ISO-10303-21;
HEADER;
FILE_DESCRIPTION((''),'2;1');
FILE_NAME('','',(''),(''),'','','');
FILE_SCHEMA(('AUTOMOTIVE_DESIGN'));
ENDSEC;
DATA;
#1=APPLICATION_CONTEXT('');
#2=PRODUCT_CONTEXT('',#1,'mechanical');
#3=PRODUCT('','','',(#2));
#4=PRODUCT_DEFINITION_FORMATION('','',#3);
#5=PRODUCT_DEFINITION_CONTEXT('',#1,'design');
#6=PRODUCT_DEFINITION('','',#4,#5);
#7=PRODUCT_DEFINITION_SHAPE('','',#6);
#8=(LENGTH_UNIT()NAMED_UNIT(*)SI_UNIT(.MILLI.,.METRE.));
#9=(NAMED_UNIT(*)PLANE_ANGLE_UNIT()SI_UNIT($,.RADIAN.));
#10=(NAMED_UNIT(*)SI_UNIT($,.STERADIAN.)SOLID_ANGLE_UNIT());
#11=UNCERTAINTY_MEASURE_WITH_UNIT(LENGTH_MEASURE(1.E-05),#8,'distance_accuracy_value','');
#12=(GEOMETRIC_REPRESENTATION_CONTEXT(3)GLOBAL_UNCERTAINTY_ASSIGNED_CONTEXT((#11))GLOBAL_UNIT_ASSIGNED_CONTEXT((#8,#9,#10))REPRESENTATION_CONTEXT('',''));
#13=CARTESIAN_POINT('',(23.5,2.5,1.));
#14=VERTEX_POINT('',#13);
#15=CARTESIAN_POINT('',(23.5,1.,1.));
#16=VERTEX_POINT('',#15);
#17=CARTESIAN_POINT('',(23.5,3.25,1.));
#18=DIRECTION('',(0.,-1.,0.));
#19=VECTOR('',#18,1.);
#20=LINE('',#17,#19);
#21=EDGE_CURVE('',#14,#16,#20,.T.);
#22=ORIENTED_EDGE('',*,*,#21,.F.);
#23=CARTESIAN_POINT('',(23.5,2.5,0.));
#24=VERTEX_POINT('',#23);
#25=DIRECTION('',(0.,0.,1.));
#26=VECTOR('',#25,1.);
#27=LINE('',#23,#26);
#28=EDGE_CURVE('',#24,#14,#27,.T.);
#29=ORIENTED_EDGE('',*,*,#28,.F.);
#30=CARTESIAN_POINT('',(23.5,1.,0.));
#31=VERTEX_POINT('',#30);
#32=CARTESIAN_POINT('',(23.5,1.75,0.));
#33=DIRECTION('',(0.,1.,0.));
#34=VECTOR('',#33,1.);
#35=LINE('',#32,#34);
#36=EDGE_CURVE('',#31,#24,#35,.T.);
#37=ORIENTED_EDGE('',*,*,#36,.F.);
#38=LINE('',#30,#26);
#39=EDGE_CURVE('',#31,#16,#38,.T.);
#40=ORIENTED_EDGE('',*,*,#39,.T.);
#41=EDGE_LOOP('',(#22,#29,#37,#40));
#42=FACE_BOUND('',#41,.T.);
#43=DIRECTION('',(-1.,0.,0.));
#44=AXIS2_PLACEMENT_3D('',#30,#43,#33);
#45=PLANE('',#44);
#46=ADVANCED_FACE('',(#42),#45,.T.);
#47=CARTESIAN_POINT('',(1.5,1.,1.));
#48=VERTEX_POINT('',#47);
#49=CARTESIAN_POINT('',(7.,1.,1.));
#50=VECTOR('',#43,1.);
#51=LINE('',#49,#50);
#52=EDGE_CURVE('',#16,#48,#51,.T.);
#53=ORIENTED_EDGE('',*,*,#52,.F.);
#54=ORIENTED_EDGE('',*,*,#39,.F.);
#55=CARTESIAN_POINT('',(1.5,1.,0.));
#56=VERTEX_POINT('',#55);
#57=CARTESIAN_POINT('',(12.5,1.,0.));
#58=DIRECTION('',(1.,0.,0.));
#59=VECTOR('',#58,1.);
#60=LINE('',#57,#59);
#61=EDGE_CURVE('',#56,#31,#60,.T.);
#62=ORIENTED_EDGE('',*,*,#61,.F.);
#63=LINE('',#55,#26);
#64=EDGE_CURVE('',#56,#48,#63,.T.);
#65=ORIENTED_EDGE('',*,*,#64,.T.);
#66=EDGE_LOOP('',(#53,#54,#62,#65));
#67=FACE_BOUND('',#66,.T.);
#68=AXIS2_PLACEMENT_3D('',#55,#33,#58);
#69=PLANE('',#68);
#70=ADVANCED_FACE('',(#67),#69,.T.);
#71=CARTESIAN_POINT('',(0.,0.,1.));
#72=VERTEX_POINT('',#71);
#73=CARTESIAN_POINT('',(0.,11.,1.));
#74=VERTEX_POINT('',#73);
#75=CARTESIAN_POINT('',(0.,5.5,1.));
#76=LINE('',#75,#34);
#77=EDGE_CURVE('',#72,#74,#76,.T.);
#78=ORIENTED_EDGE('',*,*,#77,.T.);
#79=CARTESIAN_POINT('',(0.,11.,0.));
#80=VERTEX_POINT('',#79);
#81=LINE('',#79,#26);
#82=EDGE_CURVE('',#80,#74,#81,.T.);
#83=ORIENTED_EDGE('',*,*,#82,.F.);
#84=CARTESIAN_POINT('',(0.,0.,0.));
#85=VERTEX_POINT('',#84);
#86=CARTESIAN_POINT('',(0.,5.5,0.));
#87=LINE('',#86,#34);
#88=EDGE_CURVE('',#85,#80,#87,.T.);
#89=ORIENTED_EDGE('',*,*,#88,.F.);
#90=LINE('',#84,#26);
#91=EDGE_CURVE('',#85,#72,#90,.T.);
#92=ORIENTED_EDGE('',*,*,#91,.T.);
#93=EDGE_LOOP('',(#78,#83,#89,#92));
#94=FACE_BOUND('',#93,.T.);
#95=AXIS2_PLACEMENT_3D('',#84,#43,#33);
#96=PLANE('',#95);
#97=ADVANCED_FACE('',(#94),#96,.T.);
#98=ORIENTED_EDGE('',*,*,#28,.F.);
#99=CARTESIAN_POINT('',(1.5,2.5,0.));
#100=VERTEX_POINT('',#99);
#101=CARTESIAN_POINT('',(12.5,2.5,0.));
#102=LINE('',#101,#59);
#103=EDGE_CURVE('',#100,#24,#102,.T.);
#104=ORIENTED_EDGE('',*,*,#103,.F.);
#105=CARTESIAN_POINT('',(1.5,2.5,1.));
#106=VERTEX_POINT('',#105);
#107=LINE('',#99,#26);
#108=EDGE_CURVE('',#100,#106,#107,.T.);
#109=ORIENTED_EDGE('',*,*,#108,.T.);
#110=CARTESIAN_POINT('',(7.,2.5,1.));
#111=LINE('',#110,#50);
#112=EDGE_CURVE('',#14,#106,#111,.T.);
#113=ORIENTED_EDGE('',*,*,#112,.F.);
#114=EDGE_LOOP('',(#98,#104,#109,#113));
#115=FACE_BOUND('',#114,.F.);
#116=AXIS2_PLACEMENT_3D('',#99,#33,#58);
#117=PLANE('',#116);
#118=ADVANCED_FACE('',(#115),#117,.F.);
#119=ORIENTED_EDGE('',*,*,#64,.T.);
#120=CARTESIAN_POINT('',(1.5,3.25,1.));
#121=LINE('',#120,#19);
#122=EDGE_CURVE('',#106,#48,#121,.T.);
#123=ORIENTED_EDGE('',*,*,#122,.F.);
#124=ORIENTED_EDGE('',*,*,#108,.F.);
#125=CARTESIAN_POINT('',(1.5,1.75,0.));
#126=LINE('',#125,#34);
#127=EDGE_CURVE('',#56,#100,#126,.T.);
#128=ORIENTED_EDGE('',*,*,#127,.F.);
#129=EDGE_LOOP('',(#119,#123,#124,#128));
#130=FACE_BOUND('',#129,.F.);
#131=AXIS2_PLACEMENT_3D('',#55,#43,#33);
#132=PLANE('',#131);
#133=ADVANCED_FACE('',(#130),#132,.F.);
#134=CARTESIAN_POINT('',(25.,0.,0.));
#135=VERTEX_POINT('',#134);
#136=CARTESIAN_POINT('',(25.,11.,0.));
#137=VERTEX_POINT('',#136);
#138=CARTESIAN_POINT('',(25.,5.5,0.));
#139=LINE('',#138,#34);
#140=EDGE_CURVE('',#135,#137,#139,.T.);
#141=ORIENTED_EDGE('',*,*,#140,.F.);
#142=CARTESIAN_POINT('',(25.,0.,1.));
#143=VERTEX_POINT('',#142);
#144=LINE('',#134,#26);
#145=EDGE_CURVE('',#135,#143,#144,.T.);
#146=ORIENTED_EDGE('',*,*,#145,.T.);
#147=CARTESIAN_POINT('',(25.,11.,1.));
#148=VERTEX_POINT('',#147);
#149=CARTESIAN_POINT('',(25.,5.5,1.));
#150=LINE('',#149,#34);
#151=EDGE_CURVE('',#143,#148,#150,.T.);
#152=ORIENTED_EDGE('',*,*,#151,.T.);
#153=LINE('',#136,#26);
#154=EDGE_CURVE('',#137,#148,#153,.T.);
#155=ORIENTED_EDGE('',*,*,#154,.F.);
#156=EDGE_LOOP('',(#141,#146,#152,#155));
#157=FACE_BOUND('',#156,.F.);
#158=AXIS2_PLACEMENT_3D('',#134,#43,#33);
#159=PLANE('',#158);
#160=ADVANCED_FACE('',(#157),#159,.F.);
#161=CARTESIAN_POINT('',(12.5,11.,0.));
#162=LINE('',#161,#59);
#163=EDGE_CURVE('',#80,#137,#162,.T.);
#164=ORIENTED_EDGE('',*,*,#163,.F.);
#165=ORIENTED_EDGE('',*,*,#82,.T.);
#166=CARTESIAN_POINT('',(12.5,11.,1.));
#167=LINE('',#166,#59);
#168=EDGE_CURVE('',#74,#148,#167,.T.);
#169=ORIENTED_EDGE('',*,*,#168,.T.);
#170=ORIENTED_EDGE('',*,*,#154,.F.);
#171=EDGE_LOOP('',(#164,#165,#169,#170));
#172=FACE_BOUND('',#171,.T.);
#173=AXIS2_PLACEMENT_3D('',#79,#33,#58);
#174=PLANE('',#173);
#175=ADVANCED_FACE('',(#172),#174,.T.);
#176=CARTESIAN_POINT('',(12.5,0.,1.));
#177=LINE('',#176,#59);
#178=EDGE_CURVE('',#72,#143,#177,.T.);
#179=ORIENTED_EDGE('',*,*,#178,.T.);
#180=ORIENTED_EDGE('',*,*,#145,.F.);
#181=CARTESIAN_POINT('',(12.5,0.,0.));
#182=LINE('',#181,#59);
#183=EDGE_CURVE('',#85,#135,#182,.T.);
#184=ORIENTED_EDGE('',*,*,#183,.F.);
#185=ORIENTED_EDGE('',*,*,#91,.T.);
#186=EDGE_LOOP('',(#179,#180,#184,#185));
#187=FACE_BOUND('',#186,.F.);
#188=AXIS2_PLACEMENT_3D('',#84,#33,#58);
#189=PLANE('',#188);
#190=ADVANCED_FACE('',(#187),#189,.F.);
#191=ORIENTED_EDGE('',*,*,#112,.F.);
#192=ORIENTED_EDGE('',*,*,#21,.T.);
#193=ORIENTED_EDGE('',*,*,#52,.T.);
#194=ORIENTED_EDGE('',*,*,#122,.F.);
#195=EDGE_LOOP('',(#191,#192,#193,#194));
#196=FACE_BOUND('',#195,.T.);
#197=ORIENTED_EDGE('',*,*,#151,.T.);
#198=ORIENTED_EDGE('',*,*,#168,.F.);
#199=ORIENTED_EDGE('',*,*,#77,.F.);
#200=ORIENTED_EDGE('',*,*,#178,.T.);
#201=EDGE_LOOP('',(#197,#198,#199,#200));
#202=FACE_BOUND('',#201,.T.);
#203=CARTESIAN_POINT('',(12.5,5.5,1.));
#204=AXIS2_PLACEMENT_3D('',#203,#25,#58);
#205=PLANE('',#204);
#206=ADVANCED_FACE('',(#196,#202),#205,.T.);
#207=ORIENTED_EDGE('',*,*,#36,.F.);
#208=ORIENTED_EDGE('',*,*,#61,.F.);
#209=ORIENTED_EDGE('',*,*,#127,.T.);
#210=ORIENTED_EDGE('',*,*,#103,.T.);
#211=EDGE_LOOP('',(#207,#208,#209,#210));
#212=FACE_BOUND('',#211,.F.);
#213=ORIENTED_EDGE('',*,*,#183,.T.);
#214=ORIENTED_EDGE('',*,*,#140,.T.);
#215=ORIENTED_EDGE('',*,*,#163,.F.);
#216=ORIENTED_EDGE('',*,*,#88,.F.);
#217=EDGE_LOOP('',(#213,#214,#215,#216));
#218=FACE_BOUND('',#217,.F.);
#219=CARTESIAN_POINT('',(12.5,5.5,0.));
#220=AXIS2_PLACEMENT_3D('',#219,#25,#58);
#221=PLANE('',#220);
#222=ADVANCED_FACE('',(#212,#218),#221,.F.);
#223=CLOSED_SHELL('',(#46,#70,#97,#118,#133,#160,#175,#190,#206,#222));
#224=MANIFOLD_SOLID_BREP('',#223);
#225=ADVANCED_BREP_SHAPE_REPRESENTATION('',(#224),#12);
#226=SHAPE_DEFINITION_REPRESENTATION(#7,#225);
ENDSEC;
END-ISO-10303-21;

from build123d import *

# Parameters (mm, degrees)
BOX132_W     = 22
BOX132_H     = 1.5
BOX132_DEPTH = 2
BOX131_W     = 25
BOX131_H     = 11
BOX131_DEPTH = 1


with BuildPart() as longledhole005:
    # Box132 → Box132 (new body)
    with BuildSketch(Plane(origin=(1.5, 1, 0), x_dir=(1, 0, 0), z_dir=(0, 0, 1))):
        with Locations((11, 0.75)):
            Rectangle(BOX132_W, BOX132_H)
    extrude(amount=BOX132_DEPTH)


with BuildPart() as cut022:
    # Box131 → Box131 (new body)
    with BuildSketch(Plane.XY):
        with Locations((12.5, 5.5)):
            Rectangle(BOX131_W, BOX131_H)
    extrude(amount=BOX131_DEPTH)

    # Cut022: cut LongLedHole005
    add(longledhole005.part, mode=Mode.SUBTRACT)


solid = cut022.part
